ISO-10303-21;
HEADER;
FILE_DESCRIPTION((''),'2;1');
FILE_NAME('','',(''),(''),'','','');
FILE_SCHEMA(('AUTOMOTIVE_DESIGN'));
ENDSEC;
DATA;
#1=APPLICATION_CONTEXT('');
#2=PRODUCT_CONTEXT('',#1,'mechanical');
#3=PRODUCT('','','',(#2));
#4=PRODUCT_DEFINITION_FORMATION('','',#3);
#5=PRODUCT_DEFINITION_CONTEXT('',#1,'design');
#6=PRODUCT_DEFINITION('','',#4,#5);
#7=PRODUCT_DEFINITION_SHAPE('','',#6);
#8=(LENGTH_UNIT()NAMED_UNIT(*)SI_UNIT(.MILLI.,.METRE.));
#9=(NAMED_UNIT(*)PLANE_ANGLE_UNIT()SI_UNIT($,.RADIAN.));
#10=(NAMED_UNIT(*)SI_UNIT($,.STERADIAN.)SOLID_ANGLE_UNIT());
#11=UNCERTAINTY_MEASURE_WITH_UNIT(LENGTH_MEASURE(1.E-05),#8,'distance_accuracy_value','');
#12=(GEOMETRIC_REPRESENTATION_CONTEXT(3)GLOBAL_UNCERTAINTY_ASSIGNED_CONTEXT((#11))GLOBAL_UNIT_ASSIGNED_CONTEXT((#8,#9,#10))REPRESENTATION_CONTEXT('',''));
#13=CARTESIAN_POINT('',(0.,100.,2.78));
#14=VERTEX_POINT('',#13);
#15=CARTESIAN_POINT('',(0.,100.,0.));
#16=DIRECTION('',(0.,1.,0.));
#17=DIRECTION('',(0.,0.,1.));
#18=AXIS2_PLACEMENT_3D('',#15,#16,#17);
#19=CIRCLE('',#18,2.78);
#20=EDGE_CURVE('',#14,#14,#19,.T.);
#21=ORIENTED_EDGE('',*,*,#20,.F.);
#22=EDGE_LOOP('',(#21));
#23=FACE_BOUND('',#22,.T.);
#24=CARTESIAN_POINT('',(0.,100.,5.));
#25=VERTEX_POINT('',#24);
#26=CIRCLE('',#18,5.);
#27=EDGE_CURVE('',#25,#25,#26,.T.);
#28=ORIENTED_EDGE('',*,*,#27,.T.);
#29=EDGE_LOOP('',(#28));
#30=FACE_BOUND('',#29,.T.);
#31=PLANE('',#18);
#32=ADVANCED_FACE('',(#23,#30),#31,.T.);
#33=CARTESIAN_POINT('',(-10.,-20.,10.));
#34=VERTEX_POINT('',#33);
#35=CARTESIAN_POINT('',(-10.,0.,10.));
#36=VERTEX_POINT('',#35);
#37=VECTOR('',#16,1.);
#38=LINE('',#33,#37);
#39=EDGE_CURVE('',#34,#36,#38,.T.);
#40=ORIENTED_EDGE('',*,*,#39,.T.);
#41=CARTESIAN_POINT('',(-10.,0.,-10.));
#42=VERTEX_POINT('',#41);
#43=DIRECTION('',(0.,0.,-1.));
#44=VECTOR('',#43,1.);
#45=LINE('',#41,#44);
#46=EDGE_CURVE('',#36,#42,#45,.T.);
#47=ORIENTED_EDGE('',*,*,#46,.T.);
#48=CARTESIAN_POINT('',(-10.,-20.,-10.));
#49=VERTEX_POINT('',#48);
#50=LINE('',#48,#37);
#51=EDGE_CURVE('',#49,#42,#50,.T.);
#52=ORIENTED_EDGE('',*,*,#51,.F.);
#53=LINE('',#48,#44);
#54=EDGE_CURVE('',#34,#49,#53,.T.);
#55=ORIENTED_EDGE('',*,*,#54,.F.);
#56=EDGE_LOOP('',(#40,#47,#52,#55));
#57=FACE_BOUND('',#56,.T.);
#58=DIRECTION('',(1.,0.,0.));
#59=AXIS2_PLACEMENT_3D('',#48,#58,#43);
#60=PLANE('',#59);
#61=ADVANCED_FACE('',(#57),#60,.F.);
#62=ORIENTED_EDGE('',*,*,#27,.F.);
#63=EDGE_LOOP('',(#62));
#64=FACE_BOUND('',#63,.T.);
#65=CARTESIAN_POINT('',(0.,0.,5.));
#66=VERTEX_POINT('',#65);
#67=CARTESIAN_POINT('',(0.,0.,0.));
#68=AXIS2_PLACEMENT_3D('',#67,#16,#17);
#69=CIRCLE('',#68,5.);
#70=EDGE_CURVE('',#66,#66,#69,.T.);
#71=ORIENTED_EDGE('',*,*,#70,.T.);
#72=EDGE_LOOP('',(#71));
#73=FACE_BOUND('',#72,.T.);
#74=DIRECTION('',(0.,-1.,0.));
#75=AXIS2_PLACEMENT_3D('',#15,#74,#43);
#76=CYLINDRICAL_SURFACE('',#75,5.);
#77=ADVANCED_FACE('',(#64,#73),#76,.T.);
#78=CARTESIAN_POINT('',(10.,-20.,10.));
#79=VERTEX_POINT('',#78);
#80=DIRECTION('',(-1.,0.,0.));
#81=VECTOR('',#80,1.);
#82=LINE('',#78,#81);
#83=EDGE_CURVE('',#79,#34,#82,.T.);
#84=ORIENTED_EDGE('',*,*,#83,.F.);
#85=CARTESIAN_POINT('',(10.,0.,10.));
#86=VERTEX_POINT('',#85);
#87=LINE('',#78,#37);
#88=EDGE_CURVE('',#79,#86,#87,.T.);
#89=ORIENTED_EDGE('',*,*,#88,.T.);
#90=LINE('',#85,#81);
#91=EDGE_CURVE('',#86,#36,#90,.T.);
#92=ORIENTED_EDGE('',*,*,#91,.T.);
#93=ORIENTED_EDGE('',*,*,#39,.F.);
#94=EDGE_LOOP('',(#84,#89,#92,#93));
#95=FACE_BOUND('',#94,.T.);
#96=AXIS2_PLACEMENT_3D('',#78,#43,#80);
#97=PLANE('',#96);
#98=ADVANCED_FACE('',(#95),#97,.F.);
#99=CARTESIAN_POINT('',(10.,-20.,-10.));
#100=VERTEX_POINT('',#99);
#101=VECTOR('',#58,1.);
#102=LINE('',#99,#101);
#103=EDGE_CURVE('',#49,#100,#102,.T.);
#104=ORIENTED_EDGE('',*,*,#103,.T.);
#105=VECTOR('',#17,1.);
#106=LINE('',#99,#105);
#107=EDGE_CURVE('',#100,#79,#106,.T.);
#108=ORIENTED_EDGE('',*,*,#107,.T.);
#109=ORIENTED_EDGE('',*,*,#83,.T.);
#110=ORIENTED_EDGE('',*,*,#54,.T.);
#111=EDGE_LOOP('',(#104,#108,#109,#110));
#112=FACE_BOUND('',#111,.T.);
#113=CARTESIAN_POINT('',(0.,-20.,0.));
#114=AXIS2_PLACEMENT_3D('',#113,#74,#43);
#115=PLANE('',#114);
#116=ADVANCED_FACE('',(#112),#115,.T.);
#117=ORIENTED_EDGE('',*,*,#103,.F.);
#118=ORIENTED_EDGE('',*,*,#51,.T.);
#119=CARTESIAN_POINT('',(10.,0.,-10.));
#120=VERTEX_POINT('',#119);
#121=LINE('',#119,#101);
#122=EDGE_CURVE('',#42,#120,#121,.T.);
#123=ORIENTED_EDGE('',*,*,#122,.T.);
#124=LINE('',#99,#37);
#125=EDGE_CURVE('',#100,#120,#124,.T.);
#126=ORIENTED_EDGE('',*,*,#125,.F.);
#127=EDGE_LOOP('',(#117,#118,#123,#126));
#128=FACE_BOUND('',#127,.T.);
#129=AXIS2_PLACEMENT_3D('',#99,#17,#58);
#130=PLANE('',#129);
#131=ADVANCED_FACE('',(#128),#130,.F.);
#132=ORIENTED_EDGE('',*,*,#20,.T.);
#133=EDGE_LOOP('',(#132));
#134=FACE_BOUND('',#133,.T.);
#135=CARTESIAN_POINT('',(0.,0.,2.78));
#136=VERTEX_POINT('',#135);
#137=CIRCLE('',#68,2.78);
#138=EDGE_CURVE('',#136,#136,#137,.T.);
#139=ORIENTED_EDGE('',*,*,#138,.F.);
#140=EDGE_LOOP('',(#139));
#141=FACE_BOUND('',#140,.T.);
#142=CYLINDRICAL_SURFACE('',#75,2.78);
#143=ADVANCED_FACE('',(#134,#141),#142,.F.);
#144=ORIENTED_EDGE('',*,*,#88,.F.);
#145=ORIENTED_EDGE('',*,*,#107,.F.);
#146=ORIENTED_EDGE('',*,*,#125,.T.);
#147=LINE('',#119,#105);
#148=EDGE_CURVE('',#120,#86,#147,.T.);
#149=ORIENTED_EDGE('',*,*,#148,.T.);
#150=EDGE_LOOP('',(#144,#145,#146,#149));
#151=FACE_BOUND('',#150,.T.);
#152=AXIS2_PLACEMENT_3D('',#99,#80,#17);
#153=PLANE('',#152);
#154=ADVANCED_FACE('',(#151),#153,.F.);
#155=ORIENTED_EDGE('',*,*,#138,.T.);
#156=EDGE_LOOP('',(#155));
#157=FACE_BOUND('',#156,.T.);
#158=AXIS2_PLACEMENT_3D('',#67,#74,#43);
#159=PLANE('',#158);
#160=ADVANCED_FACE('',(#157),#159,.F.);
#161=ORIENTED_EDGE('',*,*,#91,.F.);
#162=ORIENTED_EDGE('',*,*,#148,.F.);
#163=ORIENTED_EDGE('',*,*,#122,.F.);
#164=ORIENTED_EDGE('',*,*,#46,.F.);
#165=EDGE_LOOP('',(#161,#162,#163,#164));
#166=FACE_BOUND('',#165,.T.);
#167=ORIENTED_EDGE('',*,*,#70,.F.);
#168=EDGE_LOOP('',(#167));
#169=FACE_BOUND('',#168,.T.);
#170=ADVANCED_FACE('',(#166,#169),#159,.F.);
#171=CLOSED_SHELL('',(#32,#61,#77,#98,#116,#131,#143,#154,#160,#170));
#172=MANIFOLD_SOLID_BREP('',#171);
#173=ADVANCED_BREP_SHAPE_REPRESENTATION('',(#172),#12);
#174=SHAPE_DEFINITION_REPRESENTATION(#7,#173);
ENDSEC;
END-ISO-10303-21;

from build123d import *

# Parameters (mm, degrees)
SKETCH1_R           = 5
SKETCH1_R_2         = 2.78
BOSS_EXTRUDE1_DEPTH = 100
SKETCH2_W           = 20
SKETCH2_H           = 20
BOSS_EXTRUDE2_DEPTH = 20


with BuildPart() as part:
    # Sketch1 → Boss-Extrude1 (new body)
    with BuildSketch(Plane(origin=(0, 0, 0), x_dir=(1, 0, 0), z_dir=(0, 1, 0))):
        Circle(SKETCH1_R)
        Circle(SKETCH1_R_2, mode=Mode.SUBTRACT)
    extrude(amount=BOSS_EXTRUDE1_DEPTH)

    # Sketch2 → Boss-Extrude2 (add)
    with BuildSketch(Plane.XZ):
        Rectangle(SKETCH2_W, SKETCH2_H)
    extrude(amount=BOSS_EXTRUDE2_DEPTH)


solid = part.part
